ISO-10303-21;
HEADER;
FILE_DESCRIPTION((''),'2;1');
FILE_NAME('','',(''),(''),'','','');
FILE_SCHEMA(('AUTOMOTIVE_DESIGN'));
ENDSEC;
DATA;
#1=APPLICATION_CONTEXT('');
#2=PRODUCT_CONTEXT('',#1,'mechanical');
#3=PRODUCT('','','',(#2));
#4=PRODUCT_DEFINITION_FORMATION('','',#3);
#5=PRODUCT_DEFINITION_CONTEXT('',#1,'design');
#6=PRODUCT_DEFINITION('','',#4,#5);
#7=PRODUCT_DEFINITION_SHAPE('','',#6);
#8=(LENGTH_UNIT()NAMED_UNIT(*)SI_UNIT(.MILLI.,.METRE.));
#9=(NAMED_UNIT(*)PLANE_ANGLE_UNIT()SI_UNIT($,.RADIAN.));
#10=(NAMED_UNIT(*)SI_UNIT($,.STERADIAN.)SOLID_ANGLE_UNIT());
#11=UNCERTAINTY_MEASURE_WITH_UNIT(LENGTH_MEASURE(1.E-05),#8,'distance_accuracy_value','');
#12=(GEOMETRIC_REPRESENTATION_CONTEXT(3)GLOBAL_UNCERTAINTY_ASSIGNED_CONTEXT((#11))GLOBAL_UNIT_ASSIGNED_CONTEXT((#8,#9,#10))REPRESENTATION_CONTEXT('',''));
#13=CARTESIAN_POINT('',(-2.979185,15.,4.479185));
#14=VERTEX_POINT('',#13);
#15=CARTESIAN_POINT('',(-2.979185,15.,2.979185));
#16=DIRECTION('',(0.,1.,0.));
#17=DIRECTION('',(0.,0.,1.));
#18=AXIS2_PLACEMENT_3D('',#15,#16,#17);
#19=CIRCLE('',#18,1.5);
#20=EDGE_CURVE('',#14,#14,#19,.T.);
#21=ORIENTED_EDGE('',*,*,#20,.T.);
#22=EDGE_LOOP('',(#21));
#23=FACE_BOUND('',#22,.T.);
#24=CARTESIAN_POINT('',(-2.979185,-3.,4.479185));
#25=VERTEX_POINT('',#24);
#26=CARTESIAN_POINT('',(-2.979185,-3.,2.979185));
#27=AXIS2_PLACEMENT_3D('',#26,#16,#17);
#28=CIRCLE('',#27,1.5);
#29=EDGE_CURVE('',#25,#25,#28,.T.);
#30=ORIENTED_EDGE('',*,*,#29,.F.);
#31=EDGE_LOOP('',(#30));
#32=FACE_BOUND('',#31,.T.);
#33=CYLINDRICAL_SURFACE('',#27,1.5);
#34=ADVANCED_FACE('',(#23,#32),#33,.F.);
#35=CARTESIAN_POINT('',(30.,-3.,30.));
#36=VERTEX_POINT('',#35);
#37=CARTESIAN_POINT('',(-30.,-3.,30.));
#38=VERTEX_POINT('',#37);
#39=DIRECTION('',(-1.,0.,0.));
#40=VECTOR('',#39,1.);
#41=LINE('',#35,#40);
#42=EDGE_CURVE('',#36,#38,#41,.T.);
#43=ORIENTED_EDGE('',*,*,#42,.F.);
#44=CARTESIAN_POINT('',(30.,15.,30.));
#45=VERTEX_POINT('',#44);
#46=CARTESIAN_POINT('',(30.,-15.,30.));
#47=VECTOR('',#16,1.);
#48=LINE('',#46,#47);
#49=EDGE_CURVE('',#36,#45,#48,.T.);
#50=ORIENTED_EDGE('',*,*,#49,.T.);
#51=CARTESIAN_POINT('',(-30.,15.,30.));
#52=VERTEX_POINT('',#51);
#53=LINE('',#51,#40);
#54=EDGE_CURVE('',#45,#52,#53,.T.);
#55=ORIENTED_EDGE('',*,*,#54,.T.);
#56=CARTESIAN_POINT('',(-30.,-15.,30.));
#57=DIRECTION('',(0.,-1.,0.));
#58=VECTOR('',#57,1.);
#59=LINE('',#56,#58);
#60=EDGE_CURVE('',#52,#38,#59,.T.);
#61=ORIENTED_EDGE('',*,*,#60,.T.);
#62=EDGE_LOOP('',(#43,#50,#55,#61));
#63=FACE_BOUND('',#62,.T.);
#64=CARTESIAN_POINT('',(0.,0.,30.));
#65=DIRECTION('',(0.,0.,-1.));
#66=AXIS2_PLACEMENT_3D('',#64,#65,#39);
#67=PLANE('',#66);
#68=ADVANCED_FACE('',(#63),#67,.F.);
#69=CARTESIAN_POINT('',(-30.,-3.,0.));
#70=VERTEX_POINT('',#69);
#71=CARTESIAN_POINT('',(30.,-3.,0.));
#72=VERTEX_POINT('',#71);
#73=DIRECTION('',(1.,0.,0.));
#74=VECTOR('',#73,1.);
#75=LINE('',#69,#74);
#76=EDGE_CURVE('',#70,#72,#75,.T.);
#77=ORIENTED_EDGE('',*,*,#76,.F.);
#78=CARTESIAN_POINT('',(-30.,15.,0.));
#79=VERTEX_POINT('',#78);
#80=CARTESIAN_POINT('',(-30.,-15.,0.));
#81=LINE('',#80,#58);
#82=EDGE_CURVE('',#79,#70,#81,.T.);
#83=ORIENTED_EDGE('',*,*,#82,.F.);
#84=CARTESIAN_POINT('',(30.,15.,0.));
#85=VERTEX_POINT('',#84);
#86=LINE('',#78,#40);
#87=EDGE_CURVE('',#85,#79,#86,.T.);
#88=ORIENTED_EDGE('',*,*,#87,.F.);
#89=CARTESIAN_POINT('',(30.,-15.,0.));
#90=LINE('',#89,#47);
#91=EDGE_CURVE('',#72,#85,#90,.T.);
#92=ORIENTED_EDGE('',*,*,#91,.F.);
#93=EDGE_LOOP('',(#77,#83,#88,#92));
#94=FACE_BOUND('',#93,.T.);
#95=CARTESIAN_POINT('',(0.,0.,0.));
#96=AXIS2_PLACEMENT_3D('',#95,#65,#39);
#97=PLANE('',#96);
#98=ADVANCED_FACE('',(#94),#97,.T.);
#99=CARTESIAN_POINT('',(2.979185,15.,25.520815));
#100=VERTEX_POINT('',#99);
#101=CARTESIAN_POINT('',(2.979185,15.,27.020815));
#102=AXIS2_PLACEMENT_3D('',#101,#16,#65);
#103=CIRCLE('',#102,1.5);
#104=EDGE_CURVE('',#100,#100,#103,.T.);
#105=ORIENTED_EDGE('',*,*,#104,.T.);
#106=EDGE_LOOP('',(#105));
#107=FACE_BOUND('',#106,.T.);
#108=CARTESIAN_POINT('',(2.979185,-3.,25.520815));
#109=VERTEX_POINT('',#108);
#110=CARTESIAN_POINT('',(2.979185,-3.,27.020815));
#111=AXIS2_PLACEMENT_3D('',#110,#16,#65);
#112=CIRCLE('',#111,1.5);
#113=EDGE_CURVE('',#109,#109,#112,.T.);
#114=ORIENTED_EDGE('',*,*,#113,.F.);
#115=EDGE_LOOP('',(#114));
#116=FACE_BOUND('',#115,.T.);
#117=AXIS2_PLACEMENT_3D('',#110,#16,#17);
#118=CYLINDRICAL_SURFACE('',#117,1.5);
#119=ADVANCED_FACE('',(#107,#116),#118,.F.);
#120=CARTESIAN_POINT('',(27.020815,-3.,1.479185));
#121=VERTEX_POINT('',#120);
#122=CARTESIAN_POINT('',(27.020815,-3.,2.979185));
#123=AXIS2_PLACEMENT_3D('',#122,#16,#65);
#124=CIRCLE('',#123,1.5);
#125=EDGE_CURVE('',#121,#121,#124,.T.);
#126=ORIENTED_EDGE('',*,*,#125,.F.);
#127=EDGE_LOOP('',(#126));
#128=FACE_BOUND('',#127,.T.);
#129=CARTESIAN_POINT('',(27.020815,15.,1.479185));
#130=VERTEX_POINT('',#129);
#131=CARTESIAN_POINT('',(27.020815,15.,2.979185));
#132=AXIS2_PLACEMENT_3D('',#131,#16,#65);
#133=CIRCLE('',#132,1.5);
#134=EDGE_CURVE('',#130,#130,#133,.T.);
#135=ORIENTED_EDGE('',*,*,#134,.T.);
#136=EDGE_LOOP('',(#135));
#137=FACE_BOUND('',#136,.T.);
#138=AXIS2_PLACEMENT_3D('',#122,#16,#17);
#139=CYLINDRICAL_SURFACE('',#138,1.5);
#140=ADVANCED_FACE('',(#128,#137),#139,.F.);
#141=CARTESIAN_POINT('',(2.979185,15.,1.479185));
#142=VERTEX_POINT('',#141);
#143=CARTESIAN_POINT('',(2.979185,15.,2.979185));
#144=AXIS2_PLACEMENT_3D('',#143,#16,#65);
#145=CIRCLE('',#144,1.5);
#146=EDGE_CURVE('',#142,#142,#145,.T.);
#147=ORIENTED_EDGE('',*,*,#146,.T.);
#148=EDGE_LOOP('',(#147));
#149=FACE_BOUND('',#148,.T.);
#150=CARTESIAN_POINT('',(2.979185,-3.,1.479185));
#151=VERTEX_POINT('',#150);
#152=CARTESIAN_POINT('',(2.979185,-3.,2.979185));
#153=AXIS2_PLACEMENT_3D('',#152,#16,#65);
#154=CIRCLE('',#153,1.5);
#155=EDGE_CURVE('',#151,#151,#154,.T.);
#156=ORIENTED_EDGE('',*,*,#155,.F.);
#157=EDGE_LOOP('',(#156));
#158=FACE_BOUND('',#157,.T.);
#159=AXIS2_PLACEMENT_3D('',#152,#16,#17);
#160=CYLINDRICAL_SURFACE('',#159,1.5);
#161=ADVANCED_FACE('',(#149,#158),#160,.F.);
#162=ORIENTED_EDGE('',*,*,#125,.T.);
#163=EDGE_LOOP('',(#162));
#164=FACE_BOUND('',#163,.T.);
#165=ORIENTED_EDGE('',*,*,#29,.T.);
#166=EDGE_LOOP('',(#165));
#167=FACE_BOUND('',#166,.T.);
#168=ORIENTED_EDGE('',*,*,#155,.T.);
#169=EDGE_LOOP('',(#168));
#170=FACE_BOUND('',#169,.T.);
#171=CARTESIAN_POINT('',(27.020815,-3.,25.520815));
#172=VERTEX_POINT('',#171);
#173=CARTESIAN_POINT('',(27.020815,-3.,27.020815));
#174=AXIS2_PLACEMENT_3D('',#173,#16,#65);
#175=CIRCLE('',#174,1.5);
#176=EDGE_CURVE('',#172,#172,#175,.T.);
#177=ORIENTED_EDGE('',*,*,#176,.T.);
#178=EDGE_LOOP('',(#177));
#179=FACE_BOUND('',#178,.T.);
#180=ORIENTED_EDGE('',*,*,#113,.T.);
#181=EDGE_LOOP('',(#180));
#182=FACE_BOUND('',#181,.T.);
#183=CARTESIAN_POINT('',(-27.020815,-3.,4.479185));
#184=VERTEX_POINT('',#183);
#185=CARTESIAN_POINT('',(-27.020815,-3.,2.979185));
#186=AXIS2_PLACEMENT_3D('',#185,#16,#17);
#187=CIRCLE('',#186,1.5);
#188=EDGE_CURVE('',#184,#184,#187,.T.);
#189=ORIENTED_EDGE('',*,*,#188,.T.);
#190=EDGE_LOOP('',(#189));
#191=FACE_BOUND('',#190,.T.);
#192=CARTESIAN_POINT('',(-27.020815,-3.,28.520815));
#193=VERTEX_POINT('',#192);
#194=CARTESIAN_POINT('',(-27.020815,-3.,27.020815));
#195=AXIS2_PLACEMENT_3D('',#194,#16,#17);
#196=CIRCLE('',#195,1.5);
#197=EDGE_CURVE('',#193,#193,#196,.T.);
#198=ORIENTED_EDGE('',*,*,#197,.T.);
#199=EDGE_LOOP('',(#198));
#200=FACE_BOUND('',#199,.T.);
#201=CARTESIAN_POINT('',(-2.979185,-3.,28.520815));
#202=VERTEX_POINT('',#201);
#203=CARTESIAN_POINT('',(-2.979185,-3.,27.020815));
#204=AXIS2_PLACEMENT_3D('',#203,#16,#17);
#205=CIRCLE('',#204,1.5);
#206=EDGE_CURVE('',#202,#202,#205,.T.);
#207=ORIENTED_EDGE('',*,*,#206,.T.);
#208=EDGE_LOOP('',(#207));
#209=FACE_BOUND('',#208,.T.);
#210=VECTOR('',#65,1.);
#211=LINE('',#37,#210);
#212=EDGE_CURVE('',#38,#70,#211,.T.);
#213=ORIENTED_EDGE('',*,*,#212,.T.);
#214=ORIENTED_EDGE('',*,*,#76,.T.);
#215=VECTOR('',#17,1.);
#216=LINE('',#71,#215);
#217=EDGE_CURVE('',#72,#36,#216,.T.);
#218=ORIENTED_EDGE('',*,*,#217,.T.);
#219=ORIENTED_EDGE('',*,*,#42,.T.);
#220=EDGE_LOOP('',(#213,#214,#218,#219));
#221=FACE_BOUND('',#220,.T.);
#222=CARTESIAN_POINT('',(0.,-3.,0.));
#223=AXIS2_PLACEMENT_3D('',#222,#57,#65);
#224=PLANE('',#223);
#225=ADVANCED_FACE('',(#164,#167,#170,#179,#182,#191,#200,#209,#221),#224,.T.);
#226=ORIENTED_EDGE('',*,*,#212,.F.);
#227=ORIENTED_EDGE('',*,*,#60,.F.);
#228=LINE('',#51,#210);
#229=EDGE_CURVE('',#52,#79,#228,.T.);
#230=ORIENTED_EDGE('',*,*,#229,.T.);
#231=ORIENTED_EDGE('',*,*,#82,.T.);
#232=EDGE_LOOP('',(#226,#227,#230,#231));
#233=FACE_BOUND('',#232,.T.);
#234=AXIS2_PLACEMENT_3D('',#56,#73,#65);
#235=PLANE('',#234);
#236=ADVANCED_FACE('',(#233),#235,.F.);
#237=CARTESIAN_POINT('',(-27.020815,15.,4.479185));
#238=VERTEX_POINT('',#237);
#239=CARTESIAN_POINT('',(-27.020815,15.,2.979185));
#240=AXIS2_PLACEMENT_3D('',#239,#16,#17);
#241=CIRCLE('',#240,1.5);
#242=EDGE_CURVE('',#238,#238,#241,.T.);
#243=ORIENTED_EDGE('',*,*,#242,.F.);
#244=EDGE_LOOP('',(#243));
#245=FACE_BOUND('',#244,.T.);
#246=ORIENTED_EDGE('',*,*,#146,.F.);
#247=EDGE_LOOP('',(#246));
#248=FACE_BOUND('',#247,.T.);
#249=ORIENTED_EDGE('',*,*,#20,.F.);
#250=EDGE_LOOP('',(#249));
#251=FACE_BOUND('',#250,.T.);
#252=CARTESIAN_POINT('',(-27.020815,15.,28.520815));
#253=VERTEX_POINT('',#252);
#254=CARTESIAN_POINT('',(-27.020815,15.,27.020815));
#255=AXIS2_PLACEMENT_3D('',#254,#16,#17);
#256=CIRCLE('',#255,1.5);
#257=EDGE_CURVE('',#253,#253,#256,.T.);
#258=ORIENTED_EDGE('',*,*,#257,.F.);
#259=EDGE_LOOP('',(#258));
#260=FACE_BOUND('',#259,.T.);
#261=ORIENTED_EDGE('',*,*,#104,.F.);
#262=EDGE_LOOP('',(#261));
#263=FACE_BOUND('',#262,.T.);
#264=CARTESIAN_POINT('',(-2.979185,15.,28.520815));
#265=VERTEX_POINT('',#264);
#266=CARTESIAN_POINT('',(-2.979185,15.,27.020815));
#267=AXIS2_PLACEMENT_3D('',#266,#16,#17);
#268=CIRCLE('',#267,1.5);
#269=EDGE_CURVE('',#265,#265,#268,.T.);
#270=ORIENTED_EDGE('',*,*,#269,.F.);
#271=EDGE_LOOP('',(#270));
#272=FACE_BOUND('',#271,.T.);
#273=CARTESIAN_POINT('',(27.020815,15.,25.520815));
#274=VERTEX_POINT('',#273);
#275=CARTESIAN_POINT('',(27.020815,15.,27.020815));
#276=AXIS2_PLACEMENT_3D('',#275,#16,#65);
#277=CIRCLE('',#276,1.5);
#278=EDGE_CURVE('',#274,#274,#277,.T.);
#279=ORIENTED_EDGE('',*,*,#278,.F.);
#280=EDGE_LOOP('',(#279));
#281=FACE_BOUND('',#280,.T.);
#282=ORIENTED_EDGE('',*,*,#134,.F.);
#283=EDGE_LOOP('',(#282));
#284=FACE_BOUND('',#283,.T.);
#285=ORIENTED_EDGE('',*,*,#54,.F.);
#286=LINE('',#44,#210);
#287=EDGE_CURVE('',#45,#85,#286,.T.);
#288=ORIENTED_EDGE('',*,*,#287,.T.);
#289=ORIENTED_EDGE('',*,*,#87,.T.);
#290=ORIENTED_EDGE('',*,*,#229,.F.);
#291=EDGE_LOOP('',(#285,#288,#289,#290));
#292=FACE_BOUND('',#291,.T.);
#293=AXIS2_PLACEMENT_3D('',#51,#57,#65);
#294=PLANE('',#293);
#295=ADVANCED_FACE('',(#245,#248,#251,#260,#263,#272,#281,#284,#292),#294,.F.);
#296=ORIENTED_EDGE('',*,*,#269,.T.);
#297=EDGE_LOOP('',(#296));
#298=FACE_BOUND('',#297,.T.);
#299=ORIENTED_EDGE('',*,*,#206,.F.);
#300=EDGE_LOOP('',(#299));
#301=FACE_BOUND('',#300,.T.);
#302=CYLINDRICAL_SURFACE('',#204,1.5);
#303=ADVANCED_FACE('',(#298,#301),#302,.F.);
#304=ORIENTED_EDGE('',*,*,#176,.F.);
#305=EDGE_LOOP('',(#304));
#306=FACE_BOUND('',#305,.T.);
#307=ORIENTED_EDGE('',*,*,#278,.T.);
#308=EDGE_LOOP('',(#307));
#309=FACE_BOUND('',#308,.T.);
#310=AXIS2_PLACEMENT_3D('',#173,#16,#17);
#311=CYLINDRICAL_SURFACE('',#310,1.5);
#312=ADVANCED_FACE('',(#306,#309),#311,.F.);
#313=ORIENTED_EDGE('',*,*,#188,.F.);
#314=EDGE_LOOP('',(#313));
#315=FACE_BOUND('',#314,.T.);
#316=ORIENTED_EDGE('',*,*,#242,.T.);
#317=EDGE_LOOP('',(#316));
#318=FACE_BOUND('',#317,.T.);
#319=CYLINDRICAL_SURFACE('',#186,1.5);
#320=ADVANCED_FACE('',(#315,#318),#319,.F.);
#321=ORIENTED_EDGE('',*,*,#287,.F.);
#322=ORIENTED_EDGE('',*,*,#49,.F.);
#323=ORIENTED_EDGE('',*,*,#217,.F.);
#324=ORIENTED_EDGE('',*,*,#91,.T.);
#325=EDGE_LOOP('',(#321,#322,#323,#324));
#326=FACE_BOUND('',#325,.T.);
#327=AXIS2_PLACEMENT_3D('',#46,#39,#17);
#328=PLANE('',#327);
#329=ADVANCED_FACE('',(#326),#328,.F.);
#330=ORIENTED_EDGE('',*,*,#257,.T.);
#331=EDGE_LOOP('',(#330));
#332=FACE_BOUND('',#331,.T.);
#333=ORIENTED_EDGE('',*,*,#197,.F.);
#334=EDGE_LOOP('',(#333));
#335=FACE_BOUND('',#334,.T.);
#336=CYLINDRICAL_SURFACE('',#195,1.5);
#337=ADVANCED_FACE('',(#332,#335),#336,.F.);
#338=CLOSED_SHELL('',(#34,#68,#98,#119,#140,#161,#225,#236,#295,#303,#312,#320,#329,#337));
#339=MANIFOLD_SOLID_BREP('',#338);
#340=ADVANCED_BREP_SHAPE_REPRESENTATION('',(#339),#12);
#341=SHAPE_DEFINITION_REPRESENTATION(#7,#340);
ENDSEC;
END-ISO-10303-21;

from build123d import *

# Parameters (mm, degrees)
SKETCH_1_W          = 60
SKETCH_1_H          = 30
EXTRUDE_1_DEPTH     = 30
SKETCH_2_W          = 60
SKETCH_2_H          = 30
CUT_EXTRUDE_1_DEPTH = 12
SKETCH_3_R          = 1.5
CUT_EXTRUDE_2_DEPTH = 47.086874487


with BuildPart() as part:
    # 草图1 → 凸台-拉伸1 (new body)
    with BuildSketch(Plane.XY):
        Rectangle(SKETCH_1_W, SKETCH_1_H)
    extrude(amount=EXTRUDE_1_DEPTH)

    # 草图2 → 切除-拉伸1 (cut)
    with BuildSketch(Plane.XZ.offset(15)):
        with Locations((0, 15)):
            Rectangle(SKETCH_2_W, SKETCH_2_H)
    extrude(amount=-CUT_EXTRUDE_1_DEPTH, mode=Mode.SUBTRACT)

    # 草图3 → 切除-拉伸2 (cut, through all)
    with BuildSketch(Plane(origin=(0, 15, 0), x_dir=(1, 0, 0), z_dir=(0, 1, 0))):
        with Locations(Location((-27.02081528, -2.97918472, 0), (0, 0, 270))):
            Circle(SKETCH_3_R)
        with Locations(Location((-2.97918472, -2.97918472, 0), (0, 0, 270))):
            Circle(SKETCH_3_R)
        with Locations(Location((-2.97918472, -27.02081528, 0), (0, 0, 270))):
            Circle(SKETCH_3_R)
        with Locations(Location((-27.02081528, -27.02081528, 0), (0, 0, 270))):
            Circle(SKETCH_3_R)
        with Locations(Location((27.02081528, -27.02081528, 0), (0, 0, 90))):
            Circle(SKETCH_3_R)
        with Locations(Location((2.97918472, -27.02081528, 0), (0, 0, 90))):
            Circle(SKETCH_3_R)
        with Locations(Location((2.97918472, -2.97918472, 0), (0, 0, 90))):
            Circle(SKETCH_3_R)
        with Locations(Location((27.02081528, -2.97918472, 0), (0, 0, 90))):
            Circle(SKETCH_3_R)
    extrude(amount=-CUT_EXTRUDE_2_DEPTH, mode=Mode.SUBTRACT)


solid = part.part
